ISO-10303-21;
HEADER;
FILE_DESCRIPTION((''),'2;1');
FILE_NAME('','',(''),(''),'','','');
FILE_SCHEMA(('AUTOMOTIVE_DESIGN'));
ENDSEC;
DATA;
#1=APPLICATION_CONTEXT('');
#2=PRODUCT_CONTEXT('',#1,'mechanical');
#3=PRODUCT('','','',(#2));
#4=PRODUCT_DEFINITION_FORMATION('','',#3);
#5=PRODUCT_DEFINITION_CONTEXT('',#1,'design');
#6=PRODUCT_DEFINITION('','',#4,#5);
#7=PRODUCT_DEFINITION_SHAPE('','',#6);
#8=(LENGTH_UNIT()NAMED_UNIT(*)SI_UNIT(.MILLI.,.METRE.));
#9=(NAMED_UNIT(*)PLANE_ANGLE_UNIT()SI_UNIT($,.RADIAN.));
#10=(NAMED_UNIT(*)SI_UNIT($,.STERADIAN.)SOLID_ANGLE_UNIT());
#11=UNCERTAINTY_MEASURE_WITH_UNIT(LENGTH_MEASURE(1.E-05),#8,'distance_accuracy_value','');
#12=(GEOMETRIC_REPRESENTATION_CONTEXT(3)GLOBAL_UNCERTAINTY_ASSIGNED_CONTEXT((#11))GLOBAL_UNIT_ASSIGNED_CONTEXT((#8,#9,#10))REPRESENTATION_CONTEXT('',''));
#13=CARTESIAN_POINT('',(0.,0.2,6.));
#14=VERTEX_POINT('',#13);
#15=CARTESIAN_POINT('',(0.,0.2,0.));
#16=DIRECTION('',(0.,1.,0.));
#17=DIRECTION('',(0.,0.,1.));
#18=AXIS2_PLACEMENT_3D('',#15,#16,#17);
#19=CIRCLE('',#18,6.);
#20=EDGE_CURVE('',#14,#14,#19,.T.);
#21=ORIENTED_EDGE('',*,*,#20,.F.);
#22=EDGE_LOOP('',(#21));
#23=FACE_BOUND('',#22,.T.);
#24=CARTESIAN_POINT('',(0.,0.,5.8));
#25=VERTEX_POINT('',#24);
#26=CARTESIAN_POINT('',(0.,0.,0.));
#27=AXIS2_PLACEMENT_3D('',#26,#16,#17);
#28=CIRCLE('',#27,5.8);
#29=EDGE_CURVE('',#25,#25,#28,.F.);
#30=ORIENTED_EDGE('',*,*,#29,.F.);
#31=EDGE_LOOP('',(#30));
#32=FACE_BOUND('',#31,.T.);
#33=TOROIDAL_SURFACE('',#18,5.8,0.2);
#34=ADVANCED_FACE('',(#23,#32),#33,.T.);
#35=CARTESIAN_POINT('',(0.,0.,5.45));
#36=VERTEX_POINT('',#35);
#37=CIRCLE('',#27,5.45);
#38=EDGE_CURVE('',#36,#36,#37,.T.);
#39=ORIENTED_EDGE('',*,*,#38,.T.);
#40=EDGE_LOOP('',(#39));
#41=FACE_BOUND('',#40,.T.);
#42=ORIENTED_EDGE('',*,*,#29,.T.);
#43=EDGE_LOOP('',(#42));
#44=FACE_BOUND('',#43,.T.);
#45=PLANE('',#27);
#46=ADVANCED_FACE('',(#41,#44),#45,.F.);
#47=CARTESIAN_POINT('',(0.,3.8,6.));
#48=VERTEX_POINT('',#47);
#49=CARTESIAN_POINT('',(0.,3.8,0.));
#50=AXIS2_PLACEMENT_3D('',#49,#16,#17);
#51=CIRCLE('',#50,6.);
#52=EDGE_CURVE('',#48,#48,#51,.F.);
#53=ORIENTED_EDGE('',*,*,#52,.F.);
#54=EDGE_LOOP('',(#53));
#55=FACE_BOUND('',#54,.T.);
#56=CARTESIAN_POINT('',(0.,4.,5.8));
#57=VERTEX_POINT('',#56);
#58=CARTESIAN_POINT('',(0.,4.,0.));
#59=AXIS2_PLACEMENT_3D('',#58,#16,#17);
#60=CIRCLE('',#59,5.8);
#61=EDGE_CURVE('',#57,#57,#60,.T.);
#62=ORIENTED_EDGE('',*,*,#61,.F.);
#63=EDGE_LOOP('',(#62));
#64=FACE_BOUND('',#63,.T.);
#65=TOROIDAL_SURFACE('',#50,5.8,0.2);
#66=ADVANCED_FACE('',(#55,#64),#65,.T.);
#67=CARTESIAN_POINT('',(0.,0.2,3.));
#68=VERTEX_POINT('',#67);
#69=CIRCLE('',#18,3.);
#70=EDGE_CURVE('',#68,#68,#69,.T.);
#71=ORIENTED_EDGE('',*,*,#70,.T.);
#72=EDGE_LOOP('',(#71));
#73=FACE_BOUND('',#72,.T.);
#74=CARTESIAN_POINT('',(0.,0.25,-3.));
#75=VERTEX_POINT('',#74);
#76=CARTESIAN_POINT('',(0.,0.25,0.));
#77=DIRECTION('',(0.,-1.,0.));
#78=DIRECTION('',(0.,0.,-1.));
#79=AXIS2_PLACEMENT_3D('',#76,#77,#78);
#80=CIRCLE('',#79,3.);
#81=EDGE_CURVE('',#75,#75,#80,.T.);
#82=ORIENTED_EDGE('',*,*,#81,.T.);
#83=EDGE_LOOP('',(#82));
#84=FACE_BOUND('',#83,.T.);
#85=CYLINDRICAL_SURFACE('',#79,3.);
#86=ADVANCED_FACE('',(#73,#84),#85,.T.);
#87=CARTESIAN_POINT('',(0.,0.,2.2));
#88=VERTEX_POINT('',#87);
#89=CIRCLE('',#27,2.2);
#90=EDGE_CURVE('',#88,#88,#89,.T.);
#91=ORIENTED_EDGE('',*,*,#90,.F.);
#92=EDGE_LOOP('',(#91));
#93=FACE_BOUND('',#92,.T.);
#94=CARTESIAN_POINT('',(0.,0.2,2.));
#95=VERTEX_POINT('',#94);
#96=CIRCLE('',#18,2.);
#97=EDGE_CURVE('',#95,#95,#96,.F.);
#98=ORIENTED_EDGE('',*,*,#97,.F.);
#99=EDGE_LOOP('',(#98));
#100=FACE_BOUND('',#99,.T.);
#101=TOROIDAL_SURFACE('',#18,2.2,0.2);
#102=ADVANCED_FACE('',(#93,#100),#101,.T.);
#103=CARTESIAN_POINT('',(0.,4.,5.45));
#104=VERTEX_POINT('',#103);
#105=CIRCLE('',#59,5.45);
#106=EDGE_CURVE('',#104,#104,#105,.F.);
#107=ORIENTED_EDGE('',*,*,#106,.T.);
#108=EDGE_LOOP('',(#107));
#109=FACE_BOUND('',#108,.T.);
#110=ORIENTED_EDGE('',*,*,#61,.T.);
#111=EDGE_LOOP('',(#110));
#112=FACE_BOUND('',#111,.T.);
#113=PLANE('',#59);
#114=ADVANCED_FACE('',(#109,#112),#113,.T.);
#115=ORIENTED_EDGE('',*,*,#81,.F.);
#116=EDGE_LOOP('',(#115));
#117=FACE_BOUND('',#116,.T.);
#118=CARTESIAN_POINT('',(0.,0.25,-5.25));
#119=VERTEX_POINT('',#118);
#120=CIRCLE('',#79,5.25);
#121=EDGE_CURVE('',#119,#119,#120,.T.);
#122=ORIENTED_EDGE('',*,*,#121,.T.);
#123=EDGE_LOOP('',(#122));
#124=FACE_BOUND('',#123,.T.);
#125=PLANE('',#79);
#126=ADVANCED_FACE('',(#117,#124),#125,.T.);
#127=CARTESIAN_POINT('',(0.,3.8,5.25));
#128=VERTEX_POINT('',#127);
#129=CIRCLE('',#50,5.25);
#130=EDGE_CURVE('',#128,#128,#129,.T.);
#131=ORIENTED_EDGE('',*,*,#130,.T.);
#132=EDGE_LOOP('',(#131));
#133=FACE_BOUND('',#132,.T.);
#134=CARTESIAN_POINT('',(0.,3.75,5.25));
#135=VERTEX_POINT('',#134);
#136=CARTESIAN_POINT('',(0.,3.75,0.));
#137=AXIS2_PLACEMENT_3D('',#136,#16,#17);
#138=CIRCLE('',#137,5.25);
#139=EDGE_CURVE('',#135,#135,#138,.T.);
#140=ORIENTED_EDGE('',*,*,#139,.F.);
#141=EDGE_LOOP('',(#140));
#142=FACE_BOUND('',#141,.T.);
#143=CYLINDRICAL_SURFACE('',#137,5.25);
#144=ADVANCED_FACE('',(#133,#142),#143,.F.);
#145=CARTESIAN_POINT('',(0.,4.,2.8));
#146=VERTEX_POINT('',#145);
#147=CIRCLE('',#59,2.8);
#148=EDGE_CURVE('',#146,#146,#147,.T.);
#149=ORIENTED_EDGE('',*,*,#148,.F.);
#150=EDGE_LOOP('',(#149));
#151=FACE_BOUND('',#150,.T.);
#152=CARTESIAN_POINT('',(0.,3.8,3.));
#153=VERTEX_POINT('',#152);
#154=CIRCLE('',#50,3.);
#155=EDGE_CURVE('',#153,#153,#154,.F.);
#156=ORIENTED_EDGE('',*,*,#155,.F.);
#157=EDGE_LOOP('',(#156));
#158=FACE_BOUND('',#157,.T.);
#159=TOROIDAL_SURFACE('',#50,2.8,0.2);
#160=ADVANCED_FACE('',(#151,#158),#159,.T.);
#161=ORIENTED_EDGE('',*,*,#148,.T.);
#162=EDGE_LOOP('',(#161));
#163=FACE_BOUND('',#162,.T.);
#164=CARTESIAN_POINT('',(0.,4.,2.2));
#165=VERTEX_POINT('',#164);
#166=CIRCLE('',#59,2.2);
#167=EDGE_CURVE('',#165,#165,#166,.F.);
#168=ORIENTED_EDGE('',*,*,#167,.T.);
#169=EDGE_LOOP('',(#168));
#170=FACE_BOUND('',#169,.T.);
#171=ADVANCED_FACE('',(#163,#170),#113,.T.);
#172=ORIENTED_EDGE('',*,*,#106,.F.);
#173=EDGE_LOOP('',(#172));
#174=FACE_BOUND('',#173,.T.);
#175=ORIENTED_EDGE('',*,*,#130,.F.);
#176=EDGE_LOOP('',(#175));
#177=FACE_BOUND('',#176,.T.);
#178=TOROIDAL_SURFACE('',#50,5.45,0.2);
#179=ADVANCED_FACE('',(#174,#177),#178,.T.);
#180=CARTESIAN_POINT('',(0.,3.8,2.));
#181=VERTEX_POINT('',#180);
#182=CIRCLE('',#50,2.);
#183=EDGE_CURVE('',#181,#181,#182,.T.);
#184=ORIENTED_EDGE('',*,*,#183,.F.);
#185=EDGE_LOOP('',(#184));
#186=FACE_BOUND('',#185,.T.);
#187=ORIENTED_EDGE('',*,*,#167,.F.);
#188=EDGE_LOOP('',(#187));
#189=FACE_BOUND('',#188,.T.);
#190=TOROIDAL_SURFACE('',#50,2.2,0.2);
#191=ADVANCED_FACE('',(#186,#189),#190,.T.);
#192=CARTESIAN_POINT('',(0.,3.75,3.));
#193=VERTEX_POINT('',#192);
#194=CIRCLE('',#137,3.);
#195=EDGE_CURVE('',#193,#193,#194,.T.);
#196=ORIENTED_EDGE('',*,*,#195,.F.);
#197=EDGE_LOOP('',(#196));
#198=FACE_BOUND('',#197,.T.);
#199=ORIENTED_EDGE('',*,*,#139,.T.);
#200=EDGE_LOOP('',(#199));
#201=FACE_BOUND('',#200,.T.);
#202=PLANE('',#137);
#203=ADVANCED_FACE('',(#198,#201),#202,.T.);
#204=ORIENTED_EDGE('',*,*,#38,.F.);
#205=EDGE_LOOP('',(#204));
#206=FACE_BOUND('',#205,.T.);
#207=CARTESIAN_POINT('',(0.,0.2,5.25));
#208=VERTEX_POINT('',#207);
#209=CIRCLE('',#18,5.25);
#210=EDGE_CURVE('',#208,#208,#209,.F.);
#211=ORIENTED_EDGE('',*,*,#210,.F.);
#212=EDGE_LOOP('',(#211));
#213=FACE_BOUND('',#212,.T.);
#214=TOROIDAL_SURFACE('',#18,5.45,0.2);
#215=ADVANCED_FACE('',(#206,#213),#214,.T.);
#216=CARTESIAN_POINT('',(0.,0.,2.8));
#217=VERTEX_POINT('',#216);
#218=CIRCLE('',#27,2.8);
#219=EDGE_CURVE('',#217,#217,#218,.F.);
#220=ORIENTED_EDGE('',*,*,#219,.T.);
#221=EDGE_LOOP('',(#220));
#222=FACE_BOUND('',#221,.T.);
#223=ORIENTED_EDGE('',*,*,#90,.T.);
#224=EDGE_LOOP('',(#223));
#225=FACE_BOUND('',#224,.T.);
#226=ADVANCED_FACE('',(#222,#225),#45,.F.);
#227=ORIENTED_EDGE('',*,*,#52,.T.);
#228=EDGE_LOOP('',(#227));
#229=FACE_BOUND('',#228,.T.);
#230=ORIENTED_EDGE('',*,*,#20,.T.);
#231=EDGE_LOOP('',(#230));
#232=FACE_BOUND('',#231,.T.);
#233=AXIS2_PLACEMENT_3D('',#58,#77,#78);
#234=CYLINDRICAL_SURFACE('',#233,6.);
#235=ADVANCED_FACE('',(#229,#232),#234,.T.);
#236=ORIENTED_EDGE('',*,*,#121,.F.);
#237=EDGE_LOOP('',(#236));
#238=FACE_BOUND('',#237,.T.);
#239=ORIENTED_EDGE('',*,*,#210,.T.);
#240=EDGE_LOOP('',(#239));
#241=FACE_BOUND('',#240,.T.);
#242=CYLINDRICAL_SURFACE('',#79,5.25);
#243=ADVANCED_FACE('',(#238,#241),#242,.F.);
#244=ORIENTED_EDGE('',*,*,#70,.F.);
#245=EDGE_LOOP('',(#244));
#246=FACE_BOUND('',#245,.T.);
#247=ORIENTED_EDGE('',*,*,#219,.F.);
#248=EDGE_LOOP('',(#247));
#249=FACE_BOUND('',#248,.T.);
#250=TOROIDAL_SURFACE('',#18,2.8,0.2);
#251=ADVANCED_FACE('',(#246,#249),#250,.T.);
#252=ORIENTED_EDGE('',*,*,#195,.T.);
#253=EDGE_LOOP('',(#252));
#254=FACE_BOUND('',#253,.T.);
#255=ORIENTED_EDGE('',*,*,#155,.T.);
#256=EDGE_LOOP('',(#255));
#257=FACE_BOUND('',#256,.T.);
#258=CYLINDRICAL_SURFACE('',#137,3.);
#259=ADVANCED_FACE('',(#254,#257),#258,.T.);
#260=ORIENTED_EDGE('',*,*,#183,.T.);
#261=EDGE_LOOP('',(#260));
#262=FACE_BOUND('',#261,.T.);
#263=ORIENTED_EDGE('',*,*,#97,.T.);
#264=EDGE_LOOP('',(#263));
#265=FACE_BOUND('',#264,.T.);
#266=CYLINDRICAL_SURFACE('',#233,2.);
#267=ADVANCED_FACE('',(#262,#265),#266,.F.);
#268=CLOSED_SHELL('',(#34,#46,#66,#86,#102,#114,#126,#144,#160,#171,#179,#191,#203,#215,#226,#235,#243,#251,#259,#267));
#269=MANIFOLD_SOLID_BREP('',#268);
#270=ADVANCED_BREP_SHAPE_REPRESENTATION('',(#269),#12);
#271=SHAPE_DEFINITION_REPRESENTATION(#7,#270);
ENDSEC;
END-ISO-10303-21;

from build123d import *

# Parameters (mm, degrees)
SKETCH1_R           = 6
SKETCH1_R_2         = 2
BOSS_EXTRUDE1_DEPTH = 4
SKETCH2_R           = 5.25
SKETCH2_R_2         = 3
CUT_EXTRUDE1_DEPTH  = 0.25
SKETCH3_R           = 5.25
SKETCH3_R_2         = 3
CUT_EXTRUDE2_DEPTH  = 0.25
FILLET1_R           = 0.2


with BuildPart() as part:
    # Sketch1 → Boss-Extrude1 (new body)
    with BuildSketch(Plane(origin=(0, 0, 0), x_dir=(1, 0, 0), z_dir=(0, 1, 0))):
        Circle(SKETCH1_R)
        Circle(SKETCH1_R_2, mode=Mode.SUBTRACT)
    extrude(amount=BOSS_EXTRUDE1_DEPTH)

    # Sketch2 → Cut-Extrude1 (cut)
    with BuildSketch(Plane(origin=(0, 4, 0), x_dir=(1, 0, 0), z_dir=(0, 1, 0))):
        Circle(SKETCH2_R)
        Circle(SKETCH2_R_2, mode=Mode.SUBTRACT)
    extrude(amount=-CUT_EXTRUDE1_DEPTH, mode=Mode.SUBTRACT)

    # Sketch3 → Cut-Extrude2 (cut)
    with BuildSketch(Plane.XZ):
        Circle(SKETCH3_R)
        Circle(SKETCH3_R_2, mode=Mode.SUBTRACT)
    extrude(amount=-CUT_EXTRUDE2_DEPTH, mode=Mode.SUBTRACT)

    # Fillet1
    fillet1_edges = [part.edges().sort_by_distance(p)[0] for p in [
        (-5.25, 4, 0),
        (-3, 4, 0),
        (-5.25, 0, 0),
        (-6, 0, 0),
        (-3, 0, 0),
        (-6, 4, 0),
        (-2, 0, 0),
        (-2, 4, 0),
    ]]
    fillet(fillet1_edges, radius=FILLET1_R)


solid = part.part
